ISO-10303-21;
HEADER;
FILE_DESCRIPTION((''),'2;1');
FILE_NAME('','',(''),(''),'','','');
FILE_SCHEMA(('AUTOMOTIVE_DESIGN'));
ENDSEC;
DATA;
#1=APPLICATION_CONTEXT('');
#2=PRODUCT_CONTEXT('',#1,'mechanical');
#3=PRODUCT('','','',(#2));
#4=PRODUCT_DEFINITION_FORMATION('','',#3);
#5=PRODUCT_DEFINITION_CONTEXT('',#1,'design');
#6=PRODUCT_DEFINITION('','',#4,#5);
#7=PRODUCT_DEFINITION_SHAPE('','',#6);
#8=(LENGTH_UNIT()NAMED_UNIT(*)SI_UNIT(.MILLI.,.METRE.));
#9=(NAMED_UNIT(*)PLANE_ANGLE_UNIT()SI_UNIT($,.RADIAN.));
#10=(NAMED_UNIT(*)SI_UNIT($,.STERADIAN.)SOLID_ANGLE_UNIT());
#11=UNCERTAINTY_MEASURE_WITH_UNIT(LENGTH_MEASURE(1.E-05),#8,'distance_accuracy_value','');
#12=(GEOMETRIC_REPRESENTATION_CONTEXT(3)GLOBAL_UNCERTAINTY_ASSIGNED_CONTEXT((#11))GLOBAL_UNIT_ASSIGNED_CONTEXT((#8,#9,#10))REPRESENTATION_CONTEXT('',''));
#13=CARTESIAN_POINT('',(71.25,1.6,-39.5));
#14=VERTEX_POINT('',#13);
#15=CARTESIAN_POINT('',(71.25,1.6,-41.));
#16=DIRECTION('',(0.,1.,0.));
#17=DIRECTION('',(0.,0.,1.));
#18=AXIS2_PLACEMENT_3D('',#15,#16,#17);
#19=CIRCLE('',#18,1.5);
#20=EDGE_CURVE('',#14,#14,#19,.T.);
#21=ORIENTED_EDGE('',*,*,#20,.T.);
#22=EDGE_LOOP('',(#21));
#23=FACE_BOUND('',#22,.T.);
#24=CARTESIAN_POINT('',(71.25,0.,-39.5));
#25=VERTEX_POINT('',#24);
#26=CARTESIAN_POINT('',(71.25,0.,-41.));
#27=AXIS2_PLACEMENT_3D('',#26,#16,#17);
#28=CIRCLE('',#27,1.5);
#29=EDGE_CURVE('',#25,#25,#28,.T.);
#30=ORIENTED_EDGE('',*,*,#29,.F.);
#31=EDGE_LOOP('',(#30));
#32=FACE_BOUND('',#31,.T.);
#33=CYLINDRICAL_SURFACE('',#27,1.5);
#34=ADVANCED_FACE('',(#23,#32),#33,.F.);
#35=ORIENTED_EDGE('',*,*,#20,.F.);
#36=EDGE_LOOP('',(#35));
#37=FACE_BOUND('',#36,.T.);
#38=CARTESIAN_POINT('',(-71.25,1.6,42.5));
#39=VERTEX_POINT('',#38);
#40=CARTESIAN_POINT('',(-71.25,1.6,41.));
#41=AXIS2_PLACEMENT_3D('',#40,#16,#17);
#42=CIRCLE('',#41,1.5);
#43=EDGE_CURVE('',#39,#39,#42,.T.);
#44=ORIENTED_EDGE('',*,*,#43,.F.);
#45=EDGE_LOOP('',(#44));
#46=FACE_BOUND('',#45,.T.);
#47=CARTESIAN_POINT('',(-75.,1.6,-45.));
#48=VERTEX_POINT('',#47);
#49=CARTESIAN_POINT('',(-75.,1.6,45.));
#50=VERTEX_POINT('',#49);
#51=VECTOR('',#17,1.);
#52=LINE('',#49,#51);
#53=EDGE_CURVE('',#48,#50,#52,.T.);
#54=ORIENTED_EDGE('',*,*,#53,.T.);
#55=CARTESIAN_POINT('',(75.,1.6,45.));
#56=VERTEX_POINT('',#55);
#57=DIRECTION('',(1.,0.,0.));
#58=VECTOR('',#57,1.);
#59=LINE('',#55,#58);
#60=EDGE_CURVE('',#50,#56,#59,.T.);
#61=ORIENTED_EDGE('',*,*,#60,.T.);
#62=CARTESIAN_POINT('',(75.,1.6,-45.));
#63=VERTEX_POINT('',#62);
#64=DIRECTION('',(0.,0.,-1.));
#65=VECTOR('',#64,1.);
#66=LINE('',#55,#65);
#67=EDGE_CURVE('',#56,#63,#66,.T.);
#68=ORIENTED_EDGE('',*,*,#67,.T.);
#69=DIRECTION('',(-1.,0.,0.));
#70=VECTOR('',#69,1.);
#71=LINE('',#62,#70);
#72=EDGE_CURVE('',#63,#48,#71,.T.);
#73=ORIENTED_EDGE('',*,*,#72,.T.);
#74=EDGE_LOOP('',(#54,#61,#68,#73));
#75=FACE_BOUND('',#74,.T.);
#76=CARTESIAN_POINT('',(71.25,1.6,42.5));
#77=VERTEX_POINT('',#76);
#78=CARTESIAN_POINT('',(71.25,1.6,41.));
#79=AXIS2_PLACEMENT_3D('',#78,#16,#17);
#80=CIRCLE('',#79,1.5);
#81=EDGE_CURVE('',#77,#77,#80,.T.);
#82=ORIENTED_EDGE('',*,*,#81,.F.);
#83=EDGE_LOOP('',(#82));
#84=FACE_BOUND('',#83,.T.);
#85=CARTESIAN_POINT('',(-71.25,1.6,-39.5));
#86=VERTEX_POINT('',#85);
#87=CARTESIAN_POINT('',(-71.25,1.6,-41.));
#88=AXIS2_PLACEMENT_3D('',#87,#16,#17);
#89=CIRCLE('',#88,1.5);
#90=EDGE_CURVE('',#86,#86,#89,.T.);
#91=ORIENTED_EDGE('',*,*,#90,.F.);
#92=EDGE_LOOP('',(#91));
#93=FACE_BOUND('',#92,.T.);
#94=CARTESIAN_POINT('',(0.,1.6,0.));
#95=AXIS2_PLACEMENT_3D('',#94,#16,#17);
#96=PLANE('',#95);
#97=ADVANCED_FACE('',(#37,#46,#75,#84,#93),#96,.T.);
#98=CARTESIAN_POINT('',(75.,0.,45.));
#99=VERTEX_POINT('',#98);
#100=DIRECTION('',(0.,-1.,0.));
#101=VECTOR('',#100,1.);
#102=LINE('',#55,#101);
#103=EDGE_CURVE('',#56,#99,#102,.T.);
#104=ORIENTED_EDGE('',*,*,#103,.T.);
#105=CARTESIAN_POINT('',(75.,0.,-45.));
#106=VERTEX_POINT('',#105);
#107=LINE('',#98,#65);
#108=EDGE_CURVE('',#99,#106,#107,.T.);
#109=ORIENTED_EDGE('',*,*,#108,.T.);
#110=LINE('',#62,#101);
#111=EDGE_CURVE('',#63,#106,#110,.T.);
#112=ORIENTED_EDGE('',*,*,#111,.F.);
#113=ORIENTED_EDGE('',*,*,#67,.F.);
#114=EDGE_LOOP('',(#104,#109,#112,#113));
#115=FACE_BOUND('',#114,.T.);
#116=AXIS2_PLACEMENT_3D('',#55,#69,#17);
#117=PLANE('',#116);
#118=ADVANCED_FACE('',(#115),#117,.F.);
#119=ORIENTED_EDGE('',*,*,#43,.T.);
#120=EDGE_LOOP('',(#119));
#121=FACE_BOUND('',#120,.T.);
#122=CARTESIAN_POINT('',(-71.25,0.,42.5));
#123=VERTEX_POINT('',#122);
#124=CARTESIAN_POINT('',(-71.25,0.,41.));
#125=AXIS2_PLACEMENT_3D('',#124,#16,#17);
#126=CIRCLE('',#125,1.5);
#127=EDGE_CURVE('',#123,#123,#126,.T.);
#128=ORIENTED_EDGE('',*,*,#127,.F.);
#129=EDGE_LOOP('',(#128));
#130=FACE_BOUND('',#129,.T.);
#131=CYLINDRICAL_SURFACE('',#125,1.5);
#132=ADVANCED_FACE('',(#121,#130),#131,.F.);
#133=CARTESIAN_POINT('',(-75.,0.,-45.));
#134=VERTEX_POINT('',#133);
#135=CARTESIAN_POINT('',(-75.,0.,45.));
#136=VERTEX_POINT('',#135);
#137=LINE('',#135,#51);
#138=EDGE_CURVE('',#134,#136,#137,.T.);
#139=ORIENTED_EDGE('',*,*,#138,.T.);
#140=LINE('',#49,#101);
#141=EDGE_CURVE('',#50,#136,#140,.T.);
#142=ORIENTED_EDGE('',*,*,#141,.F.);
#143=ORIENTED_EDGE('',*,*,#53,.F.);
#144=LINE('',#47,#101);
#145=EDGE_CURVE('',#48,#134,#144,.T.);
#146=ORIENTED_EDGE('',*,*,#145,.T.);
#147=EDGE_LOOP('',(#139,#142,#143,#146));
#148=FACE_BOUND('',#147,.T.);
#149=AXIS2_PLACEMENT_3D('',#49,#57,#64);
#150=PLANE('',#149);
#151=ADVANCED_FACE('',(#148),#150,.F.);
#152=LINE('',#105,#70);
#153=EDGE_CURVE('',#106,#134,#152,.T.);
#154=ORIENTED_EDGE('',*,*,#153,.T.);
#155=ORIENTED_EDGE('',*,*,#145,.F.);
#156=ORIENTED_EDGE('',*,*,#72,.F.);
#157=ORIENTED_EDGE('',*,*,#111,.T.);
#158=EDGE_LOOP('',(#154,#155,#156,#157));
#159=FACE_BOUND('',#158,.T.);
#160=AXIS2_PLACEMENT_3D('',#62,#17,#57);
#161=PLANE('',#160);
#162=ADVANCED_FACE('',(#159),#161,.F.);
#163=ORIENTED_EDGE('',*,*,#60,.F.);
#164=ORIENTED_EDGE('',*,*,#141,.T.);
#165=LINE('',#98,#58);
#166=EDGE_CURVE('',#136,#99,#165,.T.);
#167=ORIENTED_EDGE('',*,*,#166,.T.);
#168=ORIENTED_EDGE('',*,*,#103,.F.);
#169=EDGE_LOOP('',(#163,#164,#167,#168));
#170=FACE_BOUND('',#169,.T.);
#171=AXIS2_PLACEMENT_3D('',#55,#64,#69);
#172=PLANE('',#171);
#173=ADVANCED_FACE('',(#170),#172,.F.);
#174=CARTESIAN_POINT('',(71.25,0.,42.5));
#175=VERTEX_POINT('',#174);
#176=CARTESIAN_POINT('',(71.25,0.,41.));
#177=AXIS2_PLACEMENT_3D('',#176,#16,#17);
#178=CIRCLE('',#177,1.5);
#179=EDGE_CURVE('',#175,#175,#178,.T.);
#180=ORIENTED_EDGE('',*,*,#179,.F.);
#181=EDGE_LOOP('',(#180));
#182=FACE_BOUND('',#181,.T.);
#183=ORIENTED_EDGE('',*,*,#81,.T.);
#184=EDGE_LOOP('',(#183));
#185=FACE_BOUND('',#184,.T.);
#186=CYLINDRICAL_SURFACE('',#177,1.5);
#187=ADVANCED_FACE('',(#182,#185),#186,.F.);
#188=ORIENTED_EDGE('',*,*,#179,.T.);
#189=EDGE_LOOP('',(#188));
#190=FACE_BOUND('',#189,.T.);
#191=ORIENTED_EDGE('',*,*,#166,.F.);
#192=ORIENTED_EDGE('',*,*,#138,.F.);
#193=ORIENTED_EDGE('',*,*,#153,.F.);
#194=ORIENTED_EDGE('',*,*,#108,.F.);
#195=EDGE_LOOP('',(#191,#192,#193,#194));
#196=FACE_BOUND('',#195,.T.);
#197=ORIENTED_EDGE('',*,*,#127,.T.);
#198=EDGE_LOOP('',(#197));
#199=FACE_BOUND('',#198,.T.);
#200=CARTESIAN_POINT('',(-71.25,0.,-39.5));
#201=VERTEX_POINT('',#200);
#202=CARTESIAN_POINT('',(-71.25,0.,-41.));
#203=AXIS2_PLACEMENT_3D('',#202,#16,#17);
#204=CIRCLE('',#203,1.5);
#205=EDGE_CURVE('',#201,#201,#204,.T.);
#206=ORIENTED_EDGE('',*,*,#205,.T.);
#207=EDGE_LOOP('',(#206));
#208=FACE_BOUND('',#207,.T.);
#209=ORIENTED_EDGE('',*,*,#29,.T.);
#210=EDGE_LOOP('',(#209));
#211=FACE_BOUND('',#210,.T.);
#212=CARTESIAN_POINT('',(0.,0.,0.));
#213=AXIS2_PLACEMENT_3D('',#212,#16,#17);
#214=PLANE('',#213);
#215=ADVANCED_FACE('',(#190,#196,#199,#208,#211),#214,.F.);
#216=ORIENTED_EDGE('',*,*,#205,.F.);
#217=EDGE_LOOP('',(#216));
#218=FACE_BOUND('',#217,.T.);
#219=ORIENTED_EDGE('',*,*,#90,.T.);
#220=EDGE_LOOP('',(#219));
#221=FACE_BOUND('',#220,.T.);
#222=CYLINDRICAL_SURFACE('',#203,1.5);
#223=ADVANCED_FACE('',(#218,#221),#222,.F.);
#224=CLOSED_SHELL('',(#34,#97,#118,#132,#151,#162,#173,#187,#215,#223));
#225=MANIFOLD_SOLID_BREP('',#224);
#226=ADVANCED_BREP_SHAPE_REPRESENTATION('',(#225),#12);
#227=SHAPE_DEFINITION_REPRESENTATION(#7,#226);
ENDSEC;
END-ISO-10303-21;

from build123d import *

# Parameters (mm, degrees)
SKETCH1_W           = 150
SKETCH1_H           = 90
BOSS_EXTRUDE1_DEPTH = 1.6
SKETCH2_R           = 1.5
CUT_EXTRUDE1_DEPTH  = 1.6


with BuildPart() as part:
    # Sketch1 → Boss-Extrude1 (new body)
    with BuildSketch(Plane(origin=(0, 0, 0), x_dir=(1, 0, 0), z_dir=(0, 1, 0))):
        Rectangle(SKETCH1_W, SKETCH1_H)
    extrude(amount=BOSS_EXTRUDE1_DEPTH)

    # Sketch2 → Cut-Extrude1 (cut)
    with BuildSketch(Plane(origin=(0, 1.6, 0), x_dir=(1, 0, 0), z_dir=(0, 1, 0))):
        with Locations(Location((-71.25, 41, 0), (0, 0, 270))):
            Circle(SKETCH2_R)
        with Locations(Location((-71.25, -41, 0), (0, 0, 270))):
            Circle(SKETCH2_R)
        with Locations(Location((71.25, -41, 0), (0, 0, 270))):
            Circle(SKETCH2_R)
        with Locations(Location((71.25, 41, 0), (0, 0, 270))):
            Circle(SKETCH2_R)
    extrude(amount=-CUT_EXTRUDE1_DEPTH, mode=Mode.SUBTRACT)


solid = part.part
